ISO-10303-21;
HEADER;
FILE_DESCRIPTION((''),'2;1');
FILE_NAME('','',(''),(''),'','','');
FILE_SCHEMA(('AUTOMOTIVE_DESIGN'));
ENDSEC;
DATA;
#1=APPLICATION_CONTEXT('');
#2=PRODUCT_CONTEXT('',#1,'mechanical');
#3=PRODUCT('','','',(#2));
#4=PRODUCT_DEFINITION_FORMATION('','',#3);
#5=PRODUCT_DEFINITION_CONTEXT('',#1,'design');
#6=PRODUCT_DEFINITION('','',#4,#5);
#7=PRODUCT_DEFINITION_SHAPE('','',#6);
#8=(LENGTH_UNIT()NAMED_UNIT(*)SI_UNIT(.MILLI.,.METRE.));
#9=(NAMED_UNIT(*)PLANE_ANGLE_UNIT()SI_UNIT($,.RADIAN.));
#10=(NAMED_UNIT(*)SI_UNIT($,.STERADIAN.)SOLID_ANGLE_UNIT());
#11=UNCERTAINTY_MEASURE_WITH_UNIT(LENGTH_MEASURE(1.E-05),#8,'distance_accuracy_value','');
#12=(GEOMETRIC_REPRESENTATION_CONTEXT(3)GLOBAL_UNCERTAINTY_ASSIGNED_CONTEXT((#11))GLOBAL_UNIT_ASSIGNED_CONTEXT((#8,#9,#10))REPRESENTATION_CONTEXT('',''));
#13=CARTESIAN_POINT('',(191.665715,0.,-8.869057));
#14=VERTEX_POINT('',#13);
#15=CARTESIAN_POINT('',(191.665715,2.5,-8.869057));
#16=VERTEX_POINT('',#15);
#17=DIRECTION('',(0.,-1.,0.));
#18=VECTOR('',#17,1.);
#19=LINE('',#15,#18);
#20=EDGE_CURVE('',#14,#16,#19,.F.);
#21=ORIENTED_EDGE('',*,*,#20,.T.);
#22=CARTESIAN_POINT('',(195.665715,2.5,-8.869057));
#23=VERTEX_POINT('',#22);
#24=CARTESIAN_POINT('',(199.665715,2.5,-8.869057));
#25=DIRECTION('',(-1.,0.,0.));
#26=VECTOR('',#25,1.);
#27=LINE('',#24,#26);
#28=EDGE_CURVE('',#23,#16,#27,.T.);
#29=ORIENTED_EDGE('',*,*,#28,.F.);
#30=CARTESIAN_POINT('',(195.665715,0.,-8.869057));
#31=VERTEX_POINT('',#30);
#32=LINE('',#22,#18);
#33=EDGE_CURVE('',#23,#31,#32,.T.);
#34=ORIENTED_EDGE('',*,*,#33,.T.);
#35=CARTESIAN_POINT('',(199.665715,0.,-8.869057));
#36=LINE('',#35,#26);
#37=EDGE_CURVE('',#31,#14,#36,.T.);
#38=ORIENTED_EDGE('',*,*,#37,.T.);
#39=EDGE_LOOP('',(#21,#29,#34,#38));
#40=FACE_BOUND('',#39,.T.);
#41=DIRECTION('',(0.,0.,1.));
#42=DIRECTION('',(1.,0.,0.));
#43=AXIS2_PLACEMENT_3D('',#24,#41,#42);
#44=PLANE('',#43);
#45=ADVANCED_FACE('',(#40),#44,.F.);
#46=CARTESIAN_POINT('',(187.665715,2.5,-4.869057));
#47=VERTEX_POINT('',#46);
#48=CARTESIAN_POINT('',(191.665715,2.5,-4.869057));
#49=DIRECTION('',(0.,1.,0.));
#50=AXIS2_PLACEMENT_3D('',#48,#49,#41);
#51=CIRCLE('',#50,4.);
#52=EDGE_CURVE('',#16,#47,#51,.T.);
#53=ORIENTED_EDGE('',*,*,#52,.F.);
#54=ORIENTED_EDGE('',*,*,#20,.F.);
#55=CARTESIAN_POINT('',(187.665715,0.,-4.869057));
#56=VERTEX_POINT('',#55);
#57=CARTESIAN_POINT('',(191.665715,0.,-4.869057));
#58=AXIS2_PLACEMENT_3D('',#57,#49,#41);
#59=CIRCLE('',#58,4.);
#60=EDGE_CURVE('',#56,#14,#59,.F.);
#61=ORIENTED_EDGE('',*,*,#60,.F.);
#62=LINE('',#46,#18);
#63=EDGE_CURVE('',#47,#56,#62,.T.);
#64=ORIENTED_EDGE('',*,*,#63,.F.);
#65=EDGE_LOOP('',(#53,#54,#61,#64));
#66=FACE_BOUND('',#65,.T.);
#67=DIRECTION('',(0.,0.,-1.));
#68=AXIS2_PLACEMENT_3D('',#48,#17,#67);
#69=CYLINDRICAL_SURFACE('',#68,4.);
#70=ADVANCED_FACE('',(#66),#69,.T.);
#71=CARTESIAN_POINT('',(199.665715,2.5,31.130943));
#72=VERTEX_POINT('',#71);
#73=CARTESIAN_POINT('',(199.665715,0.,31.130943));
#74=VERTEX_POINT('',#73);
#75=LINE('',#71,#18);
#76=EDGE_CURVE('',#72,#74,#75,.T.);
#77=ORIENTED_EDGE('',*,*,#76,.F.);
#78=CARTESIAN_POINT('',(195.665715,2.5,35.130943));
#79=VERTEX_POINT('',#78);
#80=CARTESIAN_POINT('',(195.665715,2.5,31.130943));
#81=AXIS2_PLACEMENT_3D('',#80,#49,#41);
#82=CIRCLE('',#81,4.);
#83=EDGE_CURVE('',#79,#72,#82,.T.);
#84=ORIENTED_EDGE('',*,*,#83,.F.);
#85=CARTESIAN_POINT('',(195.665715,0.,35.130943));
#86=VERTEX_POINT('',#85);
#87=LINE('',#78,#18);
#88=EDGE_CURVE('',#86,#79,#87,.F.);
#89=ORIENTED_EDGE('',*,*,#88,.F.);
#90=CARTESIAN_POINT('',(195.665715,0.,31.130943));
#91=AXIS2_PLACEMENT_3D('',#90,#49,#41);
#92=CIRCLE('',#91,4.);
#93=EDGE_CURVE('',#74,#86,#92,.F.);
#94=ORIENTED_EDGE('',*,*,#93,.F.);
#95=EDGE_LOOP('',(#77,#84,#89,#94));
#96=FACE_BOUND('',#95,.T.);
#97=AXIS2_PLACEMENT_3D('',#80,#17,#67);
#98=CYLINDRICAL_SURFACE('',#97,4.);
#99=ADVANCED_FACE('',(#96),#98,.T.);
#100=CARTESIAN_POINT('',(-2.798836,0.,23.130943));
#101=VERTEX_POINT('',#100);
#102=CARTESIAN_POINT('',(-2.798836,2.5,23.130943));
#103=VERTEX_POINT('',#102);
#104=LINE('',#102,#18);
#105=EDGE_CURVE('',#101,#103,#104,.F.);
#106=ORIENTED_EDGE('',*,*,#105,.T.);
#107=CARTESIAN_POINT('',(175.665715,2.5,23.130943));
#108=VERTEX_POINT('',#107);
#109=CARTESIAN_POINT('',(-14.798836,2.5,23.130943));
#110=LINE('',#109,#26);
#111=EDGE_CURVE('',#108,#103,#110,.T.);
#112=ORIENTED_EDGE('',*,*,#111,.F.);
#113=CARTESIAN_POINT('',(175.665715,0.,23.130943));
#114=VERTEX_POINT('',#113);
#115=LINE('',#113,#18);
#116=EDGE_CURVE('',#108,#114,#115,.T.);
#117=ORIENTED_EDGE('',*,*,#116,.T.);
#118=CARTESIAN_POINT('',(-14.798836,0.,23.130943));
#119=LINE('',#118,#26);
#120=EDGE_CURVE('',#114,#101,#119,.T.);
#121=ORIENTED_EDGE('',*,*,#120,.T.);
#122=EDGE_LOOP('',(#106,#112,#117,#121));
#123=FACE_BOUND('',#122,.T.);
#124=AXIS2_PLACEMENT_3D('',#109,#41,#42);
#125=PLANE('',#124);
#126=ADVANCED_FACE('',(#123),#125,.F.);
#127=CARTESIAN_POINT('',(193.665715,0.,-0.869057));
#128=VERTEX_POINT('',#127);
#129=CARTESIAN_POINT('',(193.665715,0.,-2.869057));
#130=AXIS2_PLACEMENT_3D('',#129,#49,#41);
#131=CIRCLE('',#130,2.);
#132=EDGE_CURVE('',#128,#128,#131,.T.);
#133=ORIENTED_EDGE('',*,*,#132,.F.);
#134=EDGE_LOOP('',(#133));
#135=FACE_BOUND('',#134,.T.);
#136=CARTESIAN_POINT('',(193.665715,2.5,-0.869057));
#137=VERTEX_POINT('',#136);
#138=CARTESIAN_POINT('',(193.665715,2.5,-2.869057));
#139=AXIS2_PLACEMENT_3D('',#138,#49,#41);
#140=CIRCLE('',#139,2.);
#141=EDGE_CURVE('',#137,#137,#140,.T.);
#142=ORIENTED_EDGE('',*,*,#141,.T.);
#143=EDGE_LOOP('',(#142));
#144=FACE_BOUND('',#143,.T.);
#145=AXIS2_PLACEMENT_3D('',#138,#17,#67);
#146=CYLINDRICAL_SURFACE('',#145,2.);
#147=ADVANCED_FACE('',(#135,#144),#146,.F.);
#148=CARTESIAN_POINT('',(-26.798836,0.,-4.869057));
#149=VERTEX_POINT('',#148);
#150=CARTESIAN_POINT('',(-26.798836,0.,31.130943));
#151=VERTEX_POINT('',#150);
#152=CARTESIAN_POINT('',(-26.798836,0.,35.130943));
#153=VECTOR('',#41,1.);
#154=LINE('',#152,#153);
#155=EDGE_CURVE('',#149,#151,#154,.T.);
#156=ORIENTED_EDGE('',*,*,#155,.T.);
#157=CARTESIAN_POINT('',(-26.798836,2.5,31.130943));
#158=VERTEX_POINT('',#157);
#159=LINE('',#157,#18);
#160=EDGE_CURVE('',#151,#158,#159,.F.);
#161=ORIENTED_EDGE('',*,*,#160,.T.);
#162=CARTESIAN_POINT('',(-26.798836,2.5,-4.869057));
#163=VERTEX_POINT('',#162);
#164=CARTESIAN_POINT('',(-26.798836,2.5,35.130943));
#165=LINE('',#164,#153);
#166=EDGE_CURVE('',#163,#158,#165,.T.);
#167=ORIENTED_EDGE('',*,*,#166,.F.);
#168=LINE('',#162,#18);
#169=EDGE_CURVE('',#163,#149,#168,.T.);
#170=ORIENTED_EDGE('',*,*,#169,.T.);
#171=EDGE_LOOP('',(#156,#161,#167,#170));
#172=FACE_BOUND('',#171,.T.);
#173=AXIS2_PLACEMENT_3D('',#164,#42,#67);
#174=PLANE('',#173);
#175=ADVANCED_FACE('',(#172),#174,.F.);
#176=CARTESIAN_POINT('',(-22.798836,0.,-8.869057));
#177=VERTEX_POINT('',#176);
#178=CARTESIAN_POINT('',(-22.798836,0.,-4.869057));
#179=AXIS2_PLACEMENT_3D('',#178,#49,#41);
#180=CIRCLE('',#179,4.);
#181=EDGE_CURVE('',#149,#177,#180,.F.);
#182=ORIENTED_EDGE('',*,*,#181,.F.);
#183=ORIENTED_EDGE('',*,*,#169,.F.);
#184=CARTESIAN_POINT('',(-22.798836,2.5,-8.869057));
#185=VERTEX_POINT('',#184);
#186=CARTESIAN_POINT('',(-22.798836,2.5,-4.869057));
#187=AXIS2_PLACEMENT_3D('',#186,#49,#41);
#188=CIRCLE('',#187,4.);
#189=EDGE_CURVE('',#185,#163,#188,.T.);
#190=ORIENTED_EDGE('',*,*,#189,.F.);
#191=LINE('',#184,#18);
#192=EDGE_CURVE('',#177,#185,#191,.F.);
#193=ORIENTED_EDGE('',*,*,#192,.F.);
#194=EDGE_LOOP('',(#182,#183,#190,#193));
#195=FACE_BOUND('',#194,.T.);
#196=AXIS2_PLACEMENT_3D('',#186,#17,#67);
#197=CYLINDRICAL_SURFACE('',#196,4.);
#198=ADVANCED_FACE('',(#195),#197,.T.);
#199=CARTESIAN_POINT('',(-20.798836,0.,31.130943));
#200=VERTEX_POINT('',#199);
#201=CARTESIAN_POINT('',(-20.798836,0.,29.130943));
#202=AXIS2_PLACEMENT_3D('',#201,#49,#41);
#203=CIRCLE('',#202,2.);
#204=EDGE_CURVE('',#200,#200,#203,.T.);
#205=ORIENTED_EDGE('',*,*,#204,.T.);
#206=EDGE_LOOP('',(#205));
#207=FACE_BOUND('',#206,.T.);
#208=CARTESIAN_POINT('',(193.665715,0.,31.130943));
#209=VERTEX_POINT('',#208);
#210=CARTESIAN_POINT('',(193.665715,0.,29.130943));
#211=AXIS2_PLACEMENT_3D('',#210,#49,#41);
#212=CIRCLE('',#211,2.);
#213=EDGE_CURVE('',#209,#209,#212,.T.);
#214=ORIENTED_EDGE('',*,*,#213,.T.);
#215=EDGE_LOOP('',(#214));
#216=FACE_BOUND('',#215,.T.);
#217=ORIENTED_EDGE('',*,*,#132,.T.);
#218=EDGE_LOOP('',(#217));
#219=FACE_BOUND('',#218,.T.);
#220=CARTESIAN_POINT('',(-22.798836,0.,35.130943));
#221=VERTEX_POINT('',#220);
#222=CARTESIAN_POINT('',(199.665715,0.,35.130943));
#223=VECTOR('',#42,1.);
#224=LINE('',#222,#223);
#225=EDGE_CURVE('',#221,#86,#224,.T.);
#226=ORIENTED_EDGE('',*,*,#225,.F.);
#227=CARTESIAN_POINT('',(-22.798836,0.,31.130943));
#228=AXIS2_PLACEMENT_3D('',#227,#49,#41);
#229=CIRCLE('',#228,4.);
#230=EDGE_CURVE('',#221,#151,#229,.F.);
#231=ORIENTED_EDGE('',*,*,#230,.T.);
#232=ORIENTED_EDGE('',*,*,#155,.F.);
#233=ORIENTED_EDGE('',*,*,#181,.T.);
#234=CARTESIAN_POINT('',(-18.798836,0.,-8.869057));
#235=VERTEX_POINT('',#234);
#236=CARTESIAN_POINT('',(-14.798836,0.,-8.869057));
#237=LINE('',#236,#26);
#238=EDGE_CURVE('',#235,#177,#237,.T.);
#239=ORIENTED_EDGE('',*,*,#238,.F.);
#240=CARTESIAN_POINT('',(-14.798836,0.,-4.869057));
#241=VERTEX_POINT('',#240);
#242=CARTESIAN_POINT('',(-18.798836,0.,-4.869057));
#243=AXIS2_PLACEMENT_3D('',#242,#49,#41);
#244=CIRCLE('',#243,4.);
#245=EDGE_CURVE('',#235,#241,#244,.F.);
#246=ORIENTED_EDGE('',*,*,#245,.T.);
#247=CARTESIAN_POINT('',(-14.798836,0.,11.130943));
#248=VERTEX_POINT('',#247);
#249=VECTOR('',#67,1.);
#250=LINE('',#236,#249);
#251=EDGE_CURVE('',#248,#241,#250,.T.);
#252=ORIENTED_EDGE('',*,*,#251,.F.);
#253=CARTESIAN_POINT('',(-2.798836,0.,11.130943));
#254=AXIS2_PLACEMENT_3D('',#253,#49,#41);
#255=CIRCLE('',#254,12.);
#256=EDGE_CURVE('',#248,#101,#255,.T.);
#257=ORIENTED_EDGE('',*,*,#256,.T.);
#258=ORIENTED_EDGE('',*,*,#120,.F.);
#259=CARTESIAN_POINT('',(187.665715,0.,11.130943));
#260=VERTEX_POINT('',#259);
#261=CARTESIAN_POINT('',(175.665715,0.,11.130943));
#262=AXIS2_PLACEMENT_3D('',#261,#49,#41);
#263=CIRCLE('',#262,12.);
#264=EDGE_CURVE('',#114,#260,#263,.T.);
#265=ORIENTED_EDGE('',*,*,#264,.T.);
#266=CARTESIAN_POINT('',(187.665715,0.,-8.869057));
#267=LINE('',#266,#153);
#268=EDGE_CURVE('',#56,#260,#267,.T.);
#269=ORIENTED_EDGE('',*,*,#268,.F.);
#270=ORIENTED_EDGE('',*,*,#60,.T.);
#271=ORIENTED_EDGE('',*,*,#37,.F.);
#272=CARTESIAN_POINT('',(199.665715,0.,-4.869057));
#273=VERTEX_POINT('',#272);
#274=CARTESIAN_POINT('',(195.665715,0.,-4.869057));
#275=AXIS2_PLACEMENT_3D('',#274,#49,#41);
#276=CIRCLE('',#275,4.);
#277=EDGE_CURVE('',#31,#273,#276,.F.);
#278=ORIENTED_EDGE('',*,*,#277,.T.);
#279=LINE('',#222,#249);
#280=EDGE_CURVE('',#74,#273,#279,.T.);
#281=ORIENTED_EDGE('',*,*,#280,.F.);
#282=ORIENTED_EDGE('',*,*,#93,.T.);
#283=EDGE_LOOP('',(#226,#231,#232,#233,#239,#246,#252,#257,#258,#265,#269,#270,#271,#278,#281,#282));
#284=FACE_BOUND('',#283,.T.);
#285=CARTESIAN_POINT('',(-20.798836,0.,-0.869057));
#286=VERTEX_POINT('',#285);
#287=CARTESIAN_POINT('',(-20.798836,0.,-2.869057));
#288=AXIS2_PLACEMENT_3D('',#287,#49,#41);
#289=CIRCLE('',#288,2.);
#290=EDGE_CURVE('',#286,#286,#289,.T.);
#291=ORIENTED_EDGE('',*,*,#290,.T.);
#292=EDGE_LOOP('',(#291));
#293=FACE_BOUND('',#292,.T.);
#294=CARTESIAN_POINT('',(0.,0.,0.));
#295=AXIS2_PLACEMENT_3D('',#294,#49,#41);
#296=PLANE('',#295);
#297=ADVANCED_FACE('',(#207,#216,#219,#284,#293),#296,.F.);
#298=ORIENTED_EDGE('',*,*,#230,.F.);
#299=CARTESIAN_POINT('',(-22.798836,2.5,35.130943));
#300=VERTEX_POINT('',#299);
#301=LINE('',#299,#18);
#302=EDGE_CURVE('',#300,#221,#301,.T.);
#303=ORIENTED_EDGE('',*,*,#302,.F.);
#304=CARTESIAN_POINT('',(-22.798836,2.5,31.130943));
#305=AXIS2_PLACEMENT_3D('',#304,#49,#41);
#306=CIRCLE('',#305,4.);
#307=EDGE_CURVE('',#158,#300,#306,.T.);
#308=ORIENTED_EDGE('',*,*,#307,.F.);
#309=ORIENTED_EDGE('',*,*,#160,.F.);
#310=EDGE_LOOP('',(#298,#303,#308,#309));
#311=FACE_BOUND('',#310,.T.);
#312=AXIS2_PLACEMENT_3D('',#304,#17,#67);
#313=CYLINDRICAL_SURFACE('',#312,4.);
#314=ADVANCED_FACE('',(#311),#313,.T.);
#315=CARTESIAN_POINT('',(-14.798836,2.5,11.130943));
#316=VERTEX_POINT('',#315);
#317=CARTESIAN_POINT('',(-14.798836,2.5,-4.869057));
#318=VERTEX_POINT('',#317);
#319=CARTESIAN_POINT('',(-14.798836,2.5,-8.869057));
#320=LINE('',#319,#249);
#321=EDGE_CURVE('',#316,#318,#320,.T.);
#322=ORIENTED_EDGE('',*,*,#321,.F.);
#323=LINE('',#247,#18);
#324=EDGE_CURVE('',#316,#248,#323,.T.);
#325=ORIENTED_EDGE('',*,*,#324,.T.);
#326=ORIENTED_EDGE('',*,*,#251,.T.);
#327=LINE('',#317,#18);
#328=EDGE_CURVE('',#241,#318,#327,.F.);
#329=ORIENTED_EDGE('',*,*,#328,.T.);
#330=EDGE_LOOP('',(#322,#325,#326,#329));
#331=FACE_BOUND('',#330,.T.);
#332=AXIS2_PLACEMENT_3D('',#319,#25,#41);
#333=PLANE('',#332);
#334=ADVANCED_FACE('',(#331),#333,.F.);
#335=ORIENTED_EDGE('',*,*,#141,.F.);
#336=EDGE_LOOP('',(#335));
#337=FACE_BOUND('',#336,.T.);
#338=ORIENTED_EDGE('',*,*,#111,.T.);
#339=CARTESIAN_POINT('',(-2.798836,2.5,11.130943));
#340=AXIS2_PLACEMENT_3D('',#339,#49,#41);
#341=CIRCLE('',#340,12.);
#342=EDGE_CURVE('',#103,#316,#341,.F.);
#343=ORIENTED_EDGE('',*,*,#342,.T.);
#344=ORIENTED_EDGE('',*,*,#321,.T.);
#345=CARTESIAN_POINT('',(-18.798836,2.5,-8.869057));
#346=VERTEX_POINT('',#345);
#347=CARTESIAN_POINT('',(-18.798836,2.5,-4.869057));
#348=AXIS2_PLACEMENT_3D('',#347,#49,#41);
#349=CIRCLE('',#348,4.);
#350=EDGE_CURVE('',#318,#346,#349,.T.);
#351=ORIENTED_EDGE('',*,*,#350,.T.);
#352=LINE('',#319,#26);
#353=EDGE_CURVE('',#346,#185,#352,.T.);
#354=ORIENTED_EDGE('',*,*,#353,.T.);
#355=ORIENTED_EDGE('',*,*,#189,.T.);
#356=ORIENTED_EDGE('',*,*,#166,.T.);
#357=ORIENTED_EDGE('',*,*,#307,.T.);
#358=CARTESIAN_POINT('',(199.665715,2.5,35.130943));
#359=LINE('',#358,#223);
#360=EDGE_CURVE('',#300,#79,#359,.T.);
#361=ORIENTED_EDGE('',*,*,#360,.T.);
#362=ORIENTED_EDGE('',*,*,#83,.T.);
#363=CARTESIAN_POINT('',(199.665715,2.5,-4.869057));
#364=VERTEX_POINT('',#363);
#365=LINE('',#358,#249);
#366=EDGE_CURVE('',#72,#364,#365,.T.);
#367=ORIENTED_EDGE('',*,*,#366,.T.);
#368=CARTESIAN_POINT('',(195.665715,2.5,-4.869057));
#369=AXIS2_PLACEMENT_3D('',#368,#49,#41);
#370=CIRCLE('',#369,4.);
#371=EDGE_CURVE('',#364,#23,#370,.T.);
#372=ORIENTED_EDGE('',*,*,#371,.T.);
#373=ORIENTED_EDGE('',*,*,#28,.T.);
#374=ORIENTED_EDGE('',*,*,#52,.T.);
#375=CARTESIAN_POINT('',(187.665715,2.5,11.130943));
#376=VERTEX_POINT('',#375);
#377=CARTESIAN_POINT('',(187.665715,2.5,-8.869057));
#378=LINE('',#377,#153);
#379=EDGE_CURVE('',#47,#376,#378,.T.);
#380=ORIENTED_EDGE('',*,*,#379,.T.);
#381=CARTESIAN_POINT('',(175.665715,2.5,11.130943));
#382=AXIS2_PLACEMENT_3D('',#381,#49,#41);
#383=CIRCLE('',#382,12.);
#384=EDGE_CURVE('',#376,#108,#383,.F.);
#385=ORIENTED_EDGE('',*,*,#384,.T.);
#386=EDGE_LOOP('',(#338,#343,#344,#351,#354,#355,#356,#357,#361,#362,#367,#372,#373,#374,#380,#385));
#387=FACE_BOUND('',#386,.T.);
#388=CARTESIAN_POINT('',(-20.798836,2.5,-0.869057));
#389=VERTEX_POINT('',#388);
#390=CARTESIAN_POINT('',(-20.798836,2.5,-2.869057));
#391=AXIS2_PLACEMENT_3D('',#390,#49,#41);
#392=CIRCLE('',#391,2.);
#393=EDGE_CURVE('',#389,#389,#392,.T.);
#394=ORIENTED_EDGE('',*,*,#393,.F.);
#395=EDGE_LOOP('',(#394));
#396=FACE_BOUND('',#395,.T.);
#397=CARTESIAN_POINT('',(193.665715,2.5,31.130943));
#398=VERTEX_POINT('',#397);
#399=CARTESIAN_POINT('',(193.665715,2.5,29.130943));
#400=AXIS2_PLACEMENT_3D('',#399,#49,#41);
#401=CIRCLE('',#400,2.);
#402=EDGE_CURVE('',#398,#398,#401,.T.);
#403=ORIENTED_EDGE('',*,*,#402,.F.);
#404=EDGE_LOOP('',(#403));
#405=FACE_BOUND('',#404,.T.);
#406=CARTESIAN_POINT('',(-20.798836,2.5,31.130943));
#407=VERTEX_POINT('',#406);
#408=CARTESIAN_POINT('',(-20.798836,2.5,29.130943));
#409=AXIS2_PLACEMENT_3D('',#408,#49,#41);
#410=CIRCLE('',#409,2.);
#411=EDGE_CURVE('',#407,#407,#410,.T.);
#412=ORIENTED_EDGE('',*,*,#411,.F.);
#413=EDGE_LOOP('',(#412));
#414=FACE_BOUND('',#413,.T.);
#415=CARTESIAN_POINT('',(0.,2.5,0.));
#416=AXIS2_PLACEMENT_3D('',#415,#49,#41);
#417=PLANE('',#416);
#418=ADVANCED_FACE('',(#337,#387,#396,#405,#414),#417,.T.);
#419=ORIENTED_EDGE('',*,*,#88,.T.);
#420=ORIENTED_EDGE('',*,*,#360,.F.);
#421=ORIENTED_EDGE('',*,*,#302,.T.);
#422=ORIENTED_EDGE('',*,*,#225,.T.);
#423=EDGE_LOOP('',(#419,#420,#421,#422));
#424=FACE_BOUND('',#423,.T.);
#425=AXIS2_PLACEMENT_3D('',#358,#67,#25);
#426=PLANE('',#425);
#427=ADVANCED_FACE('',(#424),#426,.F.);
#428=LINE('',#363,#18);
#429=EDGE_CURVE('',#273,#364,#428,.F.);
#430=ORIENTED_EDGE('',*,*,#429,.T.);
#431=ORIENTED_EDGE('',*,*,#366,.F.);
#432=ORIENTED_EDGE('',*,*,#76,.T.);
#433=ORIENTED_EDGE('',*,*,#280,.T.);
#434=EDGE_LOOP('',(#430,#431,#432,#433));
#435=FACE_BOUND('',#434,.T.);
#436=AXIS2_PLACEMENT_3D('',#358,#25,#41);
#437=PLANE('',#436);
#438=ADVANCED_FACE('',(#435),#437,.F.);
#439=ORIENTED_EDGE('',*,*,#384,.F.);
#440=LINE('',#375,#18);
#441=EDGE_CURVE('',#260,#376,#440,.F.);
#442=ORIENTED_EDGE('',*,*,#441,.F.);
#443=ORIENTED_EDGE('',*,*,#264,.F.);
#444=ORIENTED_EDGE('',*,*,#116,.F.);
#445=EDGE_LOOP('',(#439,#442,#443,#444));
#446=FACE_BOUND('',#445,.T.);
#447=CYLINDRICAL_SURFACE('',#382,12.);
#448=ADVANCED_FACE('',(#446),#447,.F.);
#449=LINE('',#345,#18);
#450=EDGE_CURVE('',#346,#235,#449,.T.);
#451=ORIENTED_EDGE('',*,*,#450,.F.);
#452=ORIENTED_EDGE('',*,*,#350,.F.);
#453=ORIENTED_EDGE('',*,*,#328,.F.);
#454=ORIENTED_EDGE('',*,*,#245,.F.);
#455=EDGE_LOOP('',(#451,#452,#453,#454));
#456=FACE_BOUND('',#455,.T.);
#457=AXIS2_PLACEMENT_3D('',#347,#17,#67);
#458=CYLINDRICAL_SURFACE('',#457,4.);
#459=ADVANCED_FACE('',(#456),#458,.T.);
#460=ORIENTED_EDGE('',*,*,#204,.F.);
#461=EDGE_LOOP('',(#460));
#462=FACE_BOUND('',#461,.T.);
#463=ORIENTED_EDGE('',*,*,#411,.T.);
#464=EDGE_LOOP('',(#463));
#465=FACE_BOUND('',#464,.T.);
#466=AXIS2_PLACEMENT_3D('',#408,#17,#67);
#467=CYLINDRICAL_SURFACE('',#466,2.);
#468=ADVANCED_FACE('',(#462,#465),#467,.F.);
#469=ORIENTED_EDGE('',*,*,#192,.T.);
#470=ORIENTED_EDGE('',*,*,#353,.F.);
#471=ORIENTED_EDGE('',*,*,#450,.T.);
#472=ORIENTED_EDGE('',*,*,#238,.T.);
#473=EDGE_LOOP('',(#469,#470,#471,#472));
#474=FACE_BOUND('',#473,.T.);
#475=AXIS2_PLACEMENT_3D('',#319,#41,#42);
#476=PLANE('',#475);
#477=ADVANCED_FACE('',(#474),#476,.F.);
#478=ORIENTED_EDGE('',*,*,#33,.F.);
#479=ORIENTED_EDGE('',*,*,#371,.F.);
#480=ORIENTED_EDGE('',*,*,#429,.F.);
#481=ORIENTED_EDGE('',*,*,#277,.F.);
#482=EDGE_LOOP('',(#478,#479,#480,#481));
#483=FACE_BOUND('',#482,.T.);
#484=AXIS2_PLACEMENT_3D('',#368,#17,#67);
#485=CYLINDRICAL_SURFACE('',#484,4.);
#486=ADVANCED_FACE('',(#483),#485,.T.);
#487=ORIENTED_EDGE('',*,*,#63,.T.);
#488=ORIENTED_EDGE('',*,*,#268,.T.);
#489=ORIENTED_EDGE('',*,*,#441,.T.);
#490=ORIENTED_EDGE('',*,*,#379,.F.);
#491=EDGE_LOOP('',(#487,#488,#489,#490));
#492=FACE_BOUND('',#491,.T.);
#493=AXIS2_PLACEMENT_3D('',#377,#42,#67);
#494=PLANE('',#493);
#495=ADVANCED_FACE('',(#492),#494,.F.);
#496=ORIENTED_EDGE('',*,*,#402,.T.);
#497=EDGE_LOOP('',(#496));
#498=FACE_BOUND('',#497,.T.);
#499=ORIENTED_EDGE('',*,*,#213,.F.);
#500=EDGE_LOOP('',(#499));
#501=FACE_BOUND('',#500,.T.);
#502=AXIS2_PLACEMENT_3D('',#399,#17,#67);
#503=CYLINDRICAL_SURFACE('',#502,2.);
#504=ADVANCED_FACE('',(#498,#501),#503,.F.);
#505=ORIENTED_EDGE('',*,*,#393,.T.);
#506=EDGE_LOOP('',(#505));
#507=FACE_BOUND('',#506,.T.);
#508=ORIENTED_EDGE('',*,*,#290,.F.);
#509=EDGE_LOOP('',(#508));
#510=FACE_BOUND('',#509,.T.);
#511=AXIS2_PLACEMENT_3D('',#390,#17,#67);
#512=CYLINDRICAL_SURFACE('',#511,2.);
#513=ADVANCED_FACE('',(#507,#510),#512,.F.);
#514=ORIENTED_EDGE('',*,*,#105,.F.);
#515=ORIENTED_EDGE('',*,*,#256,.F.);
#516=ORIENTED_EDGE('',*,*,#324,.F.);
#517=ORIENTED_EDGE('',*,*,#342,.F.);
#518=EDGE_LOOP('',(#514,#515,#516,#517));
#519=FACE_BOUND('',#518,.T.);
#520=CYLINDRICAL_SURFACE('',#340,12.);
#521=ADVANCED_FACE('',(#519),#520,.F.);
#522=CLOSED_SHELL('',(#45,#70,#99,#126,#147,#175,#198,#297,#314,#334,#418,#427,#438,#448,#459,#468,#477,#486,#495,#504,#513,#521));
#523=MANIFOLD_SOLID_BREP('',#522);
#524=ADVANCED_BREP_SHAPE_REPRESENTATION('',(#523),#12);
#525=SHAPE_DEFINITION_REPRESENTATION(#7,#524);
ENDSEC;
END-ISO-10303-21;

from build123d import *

# Parameters (mm, degrees)
SKETCH1_R           = 2
BOSS_EXTRUDE1_DEPTH = 2.5
FILLET1_R           = 4
FILLET3_R           = 12


with BuildPart() as part:
    # Sketch1 → Boss-Extrude1 (new body)
    with BuildSketch(Plane(origin=(0, 0, 0), x_dir=(1, 0, 0), z_dir=(0, 1, 0))):
        Polygon((-14.798836476, 8.869056619), (-26.798836476, 8.869056619), (-26.798836476, -35.130943381), (199.665714924, -35.130943381), (199.665714924, 8.869056619), (187.665714924, 8.869056619), (187.665714924, -23.130943381), (-14.798836476, -23.130943381), align=None)
        with Locations(Location((-20.798836476, 2.869056619, 0), (0, 0, 270))):
            Circle(SKETCH1_R, mode=Mode.SUBTRACT)
        with Locations(Location((-20.798836476, -29.130943381, 0), (0, 0, 270))):
            Circle(SKETCH1_R, mode=Mode.SUBTRACT)
        with Locations(Location((193.665714924, 2.869056619, 0), (0, 0, 270))):
            Circle(SKETCH1_R, mode=Mode.SUBTRACT)
        with Locations(Location((193.665714924, -29.130943381, 0), (0, 0, 270))):
            Circle(SKETCH1_R, mode=Mode.SUBTRACT)
    extrude(amount=BOSS_EXTRUDE1_DEPTH)

    # Fillet1
    fillet1_edges = [part.edges().sort_by_distance(p)[0] for p in [
        (-26.798836476, 1.25, -8.869056619),
        (-14.798836476, 1.25, -8.869056619),
        (187.665714924, 1.25, -8.869056619),
        (199.665714924, 1.25, -8.869056619),
        (199.665714924, 1.25, 35.130943381),
        (-26.798836476, 1.25, 35.130943381),
    ]]
    fillet(fillet1_edges, radius=FILLET1_R)

    # Fillet3
    fillet3_edges = [part.edges().sort_by_distance(p)[0] for p in [
        (-14.798836476, 1.25, 23.130943381),
        (187.665714924, 1.25, 23.130943381),
    ]]
    fillet(fillet3_edges, radius=FILLET3_R)


solid = part.part
